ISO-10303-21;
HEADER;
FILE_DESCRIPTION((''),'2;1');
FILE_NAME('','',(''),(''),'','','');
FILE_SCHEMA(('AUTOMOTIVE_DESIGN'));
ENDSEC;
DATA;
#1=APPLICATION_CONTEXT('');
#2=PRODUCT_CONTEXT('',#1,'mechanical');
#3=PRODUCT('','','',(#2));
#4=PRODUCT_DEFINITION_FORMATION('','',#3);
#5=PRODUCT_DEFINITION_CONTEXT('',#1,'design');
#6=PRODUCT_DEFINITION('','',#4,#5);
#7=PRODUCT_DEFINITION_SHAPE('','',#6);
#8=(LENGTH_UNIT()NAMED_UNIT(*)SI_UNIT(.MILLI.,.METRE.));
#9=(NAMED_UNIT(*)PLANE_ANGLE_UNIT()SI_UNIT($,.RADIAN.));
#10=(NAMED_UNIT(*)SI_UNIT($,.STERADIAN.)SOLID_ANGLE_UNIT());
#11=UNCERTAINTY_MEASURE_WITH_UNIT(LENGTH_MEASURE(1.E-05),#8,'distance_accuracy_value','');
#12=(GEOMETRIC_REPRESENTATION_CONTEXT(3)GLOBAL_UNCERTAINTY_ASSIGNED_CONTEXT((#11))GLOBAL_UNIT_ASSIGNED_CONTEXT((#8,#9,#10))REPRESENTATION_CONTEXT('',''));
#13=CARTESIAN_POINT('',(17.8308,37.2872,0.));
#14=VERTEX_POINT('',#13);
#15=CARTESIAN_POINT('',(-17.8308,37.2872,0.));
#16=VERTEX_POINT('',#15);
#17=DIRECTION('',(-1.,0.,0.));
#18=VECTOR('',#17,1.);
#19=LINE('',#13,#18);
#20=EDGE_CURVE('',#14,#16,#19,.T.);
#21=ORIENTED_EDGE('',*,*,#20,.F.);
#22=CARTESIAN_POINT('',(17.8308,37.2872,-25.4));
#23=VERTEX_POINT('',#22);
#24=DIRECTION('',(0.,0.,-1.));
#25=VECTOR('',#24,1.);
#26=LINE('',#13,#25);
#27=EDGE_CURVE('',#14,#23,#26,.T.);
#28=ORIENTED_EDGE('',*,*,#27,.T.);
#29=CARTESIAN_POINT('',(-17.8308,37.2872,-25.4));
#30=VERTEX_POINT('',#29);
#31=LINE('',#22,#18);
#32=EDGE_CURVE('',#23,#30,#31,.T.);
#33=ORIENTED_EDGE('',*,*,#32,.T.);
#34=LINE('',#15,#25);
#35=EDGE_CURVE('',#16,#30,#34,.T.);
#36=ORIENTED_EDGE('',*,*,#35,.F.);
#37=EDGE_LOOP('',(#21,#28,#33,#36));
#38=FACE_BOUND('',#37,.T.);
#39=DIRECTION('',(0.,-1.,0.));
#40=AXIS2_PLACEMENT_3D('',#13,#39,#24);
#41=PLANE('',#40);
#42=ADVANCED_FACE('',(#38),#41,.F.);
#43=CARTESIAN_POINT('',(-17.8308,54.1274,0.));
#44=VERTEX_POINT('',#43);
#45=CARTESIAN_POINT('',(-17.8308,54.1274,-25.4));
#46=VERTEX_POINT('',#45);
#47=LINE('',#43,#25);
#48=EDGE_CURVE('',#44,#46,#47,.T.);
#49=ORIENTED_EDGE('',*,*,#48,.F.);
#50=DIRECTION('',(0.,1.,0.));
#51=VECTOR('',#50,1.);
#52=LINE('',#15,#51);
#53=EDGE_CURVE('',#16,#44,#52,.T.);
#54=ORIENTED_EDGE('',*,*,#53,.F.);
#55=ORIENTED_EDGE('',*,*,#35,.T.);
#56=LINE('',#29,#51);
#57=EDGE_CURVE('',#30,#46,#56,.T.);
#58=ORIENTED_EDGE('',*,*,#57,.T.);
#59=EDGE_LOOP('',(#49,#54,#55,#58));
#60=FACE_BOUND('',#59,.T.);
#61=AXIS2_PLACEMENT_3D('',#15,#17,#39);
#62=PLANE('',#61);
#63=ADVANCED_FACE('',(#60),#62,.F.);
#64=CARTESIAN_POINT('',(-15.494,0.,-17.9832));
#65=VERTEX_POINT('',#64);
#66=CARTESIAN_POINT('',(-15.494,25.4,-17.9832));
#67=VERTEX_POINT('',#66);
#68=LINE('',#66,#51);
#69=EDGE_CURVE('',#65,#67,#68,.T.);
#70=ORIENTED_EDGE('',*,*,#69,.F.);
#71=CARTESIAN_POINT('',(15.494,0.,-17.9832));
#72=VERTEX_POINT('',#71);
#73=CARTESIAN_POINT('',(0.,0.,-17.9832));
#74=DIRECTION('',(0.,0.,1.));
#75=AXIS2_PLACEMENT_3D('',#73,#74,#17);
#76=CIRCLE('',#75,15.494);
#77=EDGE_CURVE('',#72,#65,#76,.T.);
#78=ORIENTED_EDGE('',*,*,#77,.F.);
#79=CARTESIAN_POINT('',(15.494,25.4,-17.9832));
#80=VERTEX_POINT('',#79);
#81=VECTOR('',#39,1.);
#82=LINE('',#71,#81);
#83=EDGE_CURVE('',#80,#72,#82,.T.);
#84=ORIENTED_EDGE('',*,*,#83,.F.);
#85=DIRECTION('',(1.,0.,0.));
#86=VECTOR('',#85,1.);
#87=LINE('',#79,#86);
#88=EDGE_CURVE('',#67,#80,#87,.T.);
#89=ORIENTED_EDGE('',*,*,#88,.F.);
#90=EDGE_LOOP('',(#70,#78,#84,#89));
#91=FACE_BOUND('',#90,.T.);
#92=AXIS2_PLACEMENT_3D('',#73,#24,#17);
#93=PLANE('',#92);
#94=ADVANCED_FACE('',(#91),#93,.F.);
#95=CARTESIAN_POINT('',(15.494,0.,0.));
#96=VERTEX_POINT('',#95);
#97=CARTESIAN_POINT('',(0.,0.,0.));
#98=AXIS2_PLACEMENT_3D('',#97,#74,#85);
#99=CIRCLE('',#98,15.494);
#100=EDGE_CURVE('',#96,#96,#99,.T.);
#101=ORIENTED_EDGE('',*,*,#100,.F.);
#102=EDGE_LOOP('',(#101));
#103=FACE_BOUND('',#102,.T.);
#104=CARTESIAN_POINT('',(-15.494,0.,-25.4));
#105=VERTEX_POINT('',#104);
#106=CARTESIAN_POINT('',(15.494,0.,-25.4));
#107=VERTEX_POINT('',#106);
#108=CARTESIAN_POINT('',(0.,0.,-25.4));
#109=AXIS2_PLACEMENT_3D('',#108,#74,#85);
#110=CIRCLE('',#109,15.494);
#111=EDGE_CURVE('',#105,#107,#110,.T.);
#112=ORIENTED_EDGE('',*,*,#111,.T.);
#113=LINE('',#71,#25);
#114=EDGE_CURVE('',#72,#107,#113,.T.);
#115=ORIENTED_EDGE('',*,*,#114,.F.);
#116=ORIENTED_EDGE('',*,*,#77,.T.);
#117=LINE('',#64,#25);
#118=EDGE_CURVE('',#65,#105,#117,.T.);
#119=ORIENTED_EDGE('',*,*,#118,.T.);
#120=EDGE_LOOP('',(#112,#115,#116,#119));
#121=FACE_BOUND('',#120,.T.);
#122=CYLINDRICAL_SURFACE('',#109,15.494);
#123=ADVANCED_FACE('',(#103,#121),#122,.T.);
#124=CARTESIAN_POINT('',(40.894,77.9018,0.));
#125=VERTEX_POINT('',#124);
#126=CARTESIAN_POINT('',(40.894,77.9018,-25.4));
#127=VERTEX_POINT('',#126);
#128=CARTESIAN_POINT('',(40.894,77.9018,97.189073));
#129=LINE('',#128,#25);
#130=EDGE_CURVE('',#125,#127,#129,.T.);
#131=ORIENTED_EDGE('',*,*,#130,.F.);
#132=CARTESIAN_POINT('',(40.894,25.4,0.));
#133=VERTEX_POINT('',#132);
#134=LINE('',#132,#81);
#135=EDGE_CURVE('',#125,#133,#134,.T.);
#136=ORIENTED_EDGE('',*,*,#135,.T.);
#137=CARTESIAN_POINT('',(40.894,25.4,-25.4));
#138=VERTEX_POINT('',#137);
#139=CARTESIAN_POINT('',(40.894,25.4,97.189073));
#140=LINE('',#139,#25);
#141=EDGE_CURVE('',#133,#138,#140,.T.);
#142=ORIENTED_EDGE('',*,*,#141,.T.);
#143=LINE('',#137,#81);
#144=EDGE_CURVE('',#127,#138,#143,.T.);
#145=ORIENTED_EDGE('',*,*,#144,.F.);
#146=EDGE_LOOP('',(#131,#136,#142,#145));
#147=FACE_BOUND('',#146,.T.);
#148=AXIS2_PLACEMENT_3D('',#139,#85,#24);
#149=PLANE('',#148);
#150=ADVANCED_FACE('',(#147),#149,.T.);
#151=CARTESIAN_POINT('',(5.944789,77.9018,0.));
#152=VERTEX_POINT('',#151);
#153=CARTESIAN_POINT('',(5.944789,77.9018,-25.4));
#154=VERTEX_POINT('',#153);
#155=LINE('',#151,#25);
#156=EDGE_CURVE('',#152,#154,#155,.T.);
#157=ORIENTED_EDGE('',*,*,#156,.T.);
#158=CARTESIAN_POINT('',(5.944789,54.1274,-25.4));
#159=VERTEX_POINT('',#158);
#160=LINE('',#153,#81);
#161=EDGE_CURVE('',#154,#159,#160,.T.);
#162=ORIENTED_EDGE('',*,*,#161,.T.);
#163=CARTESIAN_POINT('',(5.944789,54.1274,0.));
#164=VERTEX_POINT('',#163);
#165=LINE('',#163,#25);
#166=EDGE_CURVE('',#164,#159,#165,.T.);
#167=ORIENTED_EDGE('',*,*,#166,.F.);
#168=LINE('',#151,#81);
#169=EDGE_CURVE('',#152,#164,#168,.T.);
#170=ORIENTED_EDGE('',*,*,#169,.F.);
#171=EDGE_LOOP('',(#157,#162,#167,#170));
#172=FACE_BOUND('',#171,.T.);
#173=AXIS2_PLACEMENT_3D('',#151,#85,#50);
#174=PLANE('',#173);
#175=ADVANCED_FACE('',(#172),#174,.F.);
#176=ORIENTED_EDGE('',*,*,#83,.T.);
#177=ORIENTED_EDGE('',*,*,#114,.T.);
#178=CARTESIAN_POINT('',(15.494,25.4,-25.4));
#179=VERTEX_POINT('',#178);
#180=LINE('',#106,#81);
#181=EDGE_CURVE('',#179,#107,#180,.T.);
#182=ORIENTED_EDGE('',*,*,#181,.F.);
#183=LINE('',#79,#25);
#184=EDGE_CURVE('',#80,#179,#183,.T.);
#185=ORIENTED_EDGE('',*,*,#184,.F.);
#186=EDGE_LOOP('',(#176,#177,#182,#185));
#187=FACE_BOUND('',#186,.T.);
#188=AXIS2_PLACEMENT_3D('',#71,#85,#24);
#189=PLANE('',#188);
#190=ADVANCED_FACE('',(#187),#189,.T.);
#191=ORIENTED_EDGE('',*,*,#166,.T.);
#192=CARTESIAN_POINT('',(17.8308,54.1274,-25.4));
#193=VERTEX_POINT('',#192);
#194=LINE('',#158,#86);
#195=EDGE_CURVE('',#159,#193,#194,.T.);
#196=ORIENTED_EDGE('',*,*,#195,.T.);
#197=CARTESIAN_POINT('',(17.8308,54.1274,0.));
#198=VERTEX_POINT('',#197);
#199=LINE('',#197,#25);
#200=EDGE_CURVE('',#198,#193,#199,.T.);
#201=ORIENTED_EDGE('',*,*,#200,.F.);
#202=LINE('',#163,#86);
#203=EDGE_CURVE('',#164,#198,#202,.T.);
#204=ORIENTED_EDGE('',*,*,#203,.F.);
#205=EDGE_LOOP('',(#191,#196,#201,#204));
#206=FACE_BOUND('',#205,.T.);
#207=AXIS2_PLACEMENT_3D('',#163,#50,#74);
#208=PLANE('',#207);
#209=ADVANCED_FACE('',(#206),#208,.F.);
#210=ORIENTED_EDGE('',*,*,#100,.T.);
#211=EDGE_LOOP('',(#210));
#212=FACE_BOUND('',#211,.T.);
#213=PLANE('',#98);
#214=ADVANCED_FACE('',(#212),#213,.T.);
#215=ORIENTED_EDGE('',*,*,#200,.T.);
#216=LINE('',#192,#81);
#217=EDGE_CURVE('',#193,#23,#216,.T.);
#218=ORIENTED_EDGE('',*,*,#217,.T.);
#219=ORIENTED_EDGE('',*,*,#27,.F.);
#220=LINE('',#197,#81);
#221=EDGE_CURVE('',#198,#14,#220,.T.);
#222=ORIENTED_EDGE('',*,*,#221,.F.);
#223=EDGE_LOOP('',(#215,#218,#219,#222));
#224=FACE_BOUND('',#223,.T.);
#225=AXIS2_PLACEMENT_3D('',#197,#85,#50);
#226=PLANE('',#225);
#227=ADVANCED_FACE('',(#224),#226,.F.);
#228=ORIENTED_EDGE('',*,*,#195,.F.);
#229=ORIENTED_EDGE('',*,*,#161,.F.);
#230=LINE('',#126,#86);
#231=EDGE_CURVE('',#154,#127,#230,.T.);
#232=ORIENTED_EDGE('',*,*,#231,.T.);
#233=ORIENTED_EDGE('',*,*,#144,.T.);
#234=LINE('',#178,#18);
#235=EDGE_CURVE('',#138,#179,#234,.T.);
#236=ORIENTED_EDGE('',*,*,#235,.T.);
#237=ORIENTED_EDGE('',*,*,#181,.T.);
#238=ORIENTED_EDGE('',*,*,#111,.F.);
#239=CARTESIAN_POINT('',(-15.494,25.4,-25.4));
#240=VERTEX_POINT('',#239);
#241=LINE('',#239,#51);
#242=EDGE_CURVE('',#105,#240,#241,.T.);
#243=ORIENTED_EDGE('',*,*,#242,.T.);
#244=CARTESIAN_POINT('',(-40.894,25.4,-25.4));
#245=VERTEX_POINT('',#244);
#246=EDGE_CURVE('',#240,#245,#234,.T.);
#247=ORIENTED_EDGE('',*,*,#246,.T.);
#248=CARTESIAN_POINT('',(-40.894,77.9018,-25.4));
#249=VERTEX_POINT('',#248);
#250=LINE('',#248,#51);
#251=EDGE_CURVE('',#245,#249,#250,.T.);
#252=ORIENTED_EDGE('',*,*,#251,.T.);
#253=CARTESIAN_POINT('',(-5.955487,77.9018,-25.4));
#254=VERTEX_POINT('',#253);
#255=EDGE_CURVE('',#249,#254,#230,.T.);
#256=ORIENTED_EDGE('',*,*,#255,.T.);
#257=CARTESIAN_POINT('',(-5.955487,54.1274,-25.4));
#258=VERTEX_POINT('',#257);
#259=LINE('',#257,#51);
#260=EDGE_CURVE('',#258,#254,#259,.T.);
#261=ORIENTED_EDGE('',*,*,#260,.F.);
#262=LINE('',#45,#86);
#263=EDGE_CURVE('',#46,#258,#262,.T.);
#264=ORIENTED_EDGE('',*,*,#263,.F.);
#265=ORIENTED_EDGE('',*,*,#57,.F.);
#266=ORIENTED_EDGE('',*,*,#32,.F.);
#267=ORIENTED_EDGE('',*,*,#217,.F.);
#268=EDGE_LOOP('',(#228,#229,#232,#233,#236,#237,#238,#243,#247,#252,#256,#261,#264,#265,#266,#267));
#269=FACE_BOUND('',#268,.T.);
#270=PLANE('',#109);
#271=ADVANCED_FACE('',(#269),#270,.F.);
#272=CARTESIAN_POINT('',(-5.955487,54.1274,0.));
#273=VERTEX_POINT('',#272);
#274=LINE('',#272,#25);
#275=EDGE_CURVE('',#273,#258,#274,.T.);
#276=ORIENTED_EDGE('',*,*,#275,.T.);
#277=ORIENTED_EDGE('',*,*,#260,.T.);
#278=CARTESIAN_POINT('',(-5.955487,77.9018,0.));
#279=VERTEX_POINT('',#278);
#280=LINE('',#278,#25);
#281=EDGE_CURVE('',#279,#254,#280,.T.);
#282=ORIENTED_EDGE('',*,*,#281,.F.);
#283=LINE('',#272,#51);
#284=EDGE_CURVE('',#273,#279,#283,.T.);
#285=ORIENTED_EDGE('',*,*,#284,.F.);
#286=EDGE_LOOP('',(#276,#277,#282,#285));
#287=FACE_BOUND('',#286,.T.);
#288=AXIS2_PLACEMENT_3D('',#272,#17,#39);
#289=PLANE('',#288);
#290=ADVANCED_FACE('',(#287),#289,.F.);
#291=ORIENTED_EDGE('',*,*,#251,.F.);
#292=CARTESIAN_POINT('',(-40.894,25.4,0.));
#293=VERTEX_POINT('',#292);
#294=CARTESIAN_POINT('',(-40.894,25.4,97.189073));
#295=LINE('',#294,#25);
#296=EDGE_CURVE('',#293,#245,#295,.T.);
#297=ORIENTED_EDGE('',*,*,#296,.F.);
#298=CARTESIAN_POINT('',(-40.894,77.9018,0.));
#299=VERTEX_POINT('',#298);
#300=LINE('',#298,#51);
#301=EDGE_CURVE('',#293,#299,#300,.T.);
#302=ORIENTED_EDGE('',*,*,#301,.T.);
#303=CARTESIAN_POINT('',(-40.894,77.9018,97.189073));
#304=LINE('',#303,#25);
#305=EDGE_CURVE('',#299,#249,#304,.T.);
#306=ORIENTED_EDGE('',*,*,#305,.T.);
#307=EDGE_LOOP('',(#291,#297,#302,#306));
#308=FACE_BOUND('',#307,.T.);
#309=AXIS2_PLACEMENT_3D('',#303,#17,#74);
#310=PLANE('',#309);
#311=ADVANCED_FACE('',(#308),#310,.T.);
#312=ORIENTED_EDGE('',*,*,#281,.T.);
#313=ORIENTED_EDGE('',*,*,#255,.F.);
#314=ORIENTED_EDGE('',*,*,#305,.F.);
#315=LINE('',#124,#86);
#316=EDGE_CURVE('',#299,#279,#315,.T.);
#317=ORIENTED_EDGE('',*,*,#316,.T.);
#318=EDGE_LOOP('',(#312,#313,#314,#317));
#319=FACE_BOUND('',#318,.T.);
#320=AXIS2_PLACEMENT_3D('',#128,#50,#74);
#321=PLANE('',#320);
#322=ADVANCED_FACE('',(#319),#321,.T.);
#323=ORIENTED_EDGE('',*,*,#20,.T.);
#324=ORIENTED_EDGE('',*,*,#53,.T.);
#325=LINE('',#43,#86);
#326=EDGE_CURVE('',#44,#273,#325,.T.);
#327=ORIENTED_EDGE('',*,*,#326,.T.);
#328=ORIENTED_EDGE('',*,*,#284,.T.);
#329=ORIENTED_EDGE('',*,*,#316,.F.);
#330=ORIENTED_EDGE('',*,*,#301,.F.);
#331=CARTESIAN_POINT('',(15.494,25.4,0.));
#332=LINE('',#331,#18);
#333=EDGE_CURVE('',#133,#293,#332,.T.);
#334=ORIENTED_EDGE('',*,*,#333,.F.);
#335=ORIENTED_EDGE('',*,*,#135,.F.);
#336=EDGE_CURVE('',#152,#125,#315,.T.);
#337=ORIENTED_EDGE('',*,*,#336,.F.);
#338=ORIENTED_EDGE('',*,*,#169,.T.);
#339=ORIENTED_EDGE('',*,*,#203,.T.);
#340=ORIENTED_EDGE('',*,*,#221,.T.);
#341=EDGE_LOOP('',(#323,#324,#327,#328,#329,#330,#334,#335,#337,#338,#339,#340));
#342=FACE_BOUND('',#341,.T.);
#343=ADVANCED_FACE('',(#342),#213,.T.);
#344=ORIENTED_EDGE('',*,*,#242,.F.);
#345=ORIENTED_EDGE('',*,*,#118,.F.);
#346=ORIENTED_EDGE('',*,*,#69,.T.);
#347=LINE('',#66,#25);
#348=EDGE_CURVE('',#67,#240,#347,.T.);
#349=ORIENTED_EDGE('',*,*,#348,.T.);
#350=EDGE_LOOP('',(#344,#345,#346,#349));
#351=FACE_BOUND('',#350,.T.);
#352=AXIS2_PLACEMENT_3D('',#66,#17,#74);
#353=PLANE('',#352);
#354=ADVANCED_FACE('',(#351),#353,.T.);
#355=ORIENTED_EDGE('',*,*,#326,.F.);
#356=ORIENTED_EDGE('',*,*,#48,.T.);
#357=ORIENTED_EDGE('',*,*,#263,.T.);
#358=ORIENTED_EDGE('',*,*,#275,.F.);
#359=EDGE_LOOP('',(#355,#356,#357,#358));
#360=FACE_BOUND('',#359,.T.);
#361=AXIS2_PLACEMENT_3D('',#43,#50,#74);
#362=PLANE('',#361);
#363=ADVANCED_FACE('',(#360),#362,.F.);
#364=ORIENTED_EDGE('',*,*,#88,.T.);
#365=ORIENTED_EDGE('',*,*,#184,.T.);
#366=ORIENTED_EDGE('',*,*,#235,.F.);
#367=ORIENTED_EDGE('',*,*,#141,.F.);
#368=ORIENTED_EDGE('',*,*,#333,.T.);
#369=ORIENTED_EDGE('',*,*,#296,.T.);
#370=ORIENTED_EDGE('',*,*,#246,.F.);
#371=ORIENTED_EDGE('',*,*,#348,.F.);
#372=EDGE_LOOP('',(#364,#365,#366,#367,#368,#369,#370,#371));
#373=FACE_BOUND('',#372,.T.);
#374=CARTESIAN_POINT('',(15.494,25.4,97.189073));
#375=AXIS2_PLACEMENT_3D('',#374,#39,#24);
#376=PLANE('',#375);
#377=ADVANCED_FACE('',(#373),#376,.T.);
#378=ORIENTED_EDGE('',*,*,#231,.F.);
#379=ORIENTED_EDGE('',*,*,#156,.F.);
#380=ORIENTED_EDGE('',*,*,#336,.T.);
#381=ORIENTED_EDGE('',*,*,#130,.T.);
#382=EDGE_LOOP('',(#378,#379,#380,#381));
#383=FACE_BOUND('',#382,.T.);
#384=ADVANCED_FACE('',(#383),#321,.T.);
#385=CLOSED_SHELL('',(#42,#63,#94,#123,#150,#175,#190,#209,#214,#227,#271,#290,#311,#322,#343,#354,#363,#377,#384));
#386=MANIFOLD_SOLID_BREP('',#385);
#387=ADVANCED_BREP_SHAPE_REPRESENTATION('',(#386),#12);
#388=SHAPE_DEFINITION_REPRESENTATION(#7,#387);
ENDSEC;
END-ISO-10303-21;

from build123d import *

# Parameters (mm, degrees)
SKETCH1_R           = 15.494
BOSS_EXTRUDE1_DEPTH = 25.4
BOSS_EXTRUDE2_START = -7.4168
BOSS_EXTRUDE2_DEPTH = 7.4168
BOSS_EXTRUDE4_DEPTH = 25.4
CUT_EXTRUDE1_DEPTH  = 92.576032231


with BuildPart() as part:
    # Sketch1 → Boss-Extrude1 (new body)
    with BuildSketch(Plane.XY):
        Circle(SKETCH1_R)
    extrude(amount=-BOSS_EXTRUDE1_DEPTH)

    # Sketch2 → Boss-Extrude2 (add)
    with BuildSketch(Plane(origin=(0, 0, -25.4), x_dir=(-1, 0, 0), z_dir=(0, 0, -1)).offset(BOSS_EXTRUDE2_START)):
        with BuildLine():
            Line((-15.494, 0), (-15.494, 25.4))
            Line((-15.494, 25.4), (15.494, 25.4))
            Line((15.494, 25.4), (15.494, 0))
            ThreePointArc((15.494, 0), (0, 15.494), (-15.494, 0))
        make_face()
    extrude(amount=BOSS_EXTRUDE2_DEPTH)

    # Sketch3 → Boss-Extrude4 (add)
    with BuildSketch(Plane(origin=(0, 0, -25.4), x_dir=(-1, 0, 0), z_dir=(0, 0, -1))):
        Polygon((-15.494, 25.4), (-40.894, 25.4), (-40.894, 77.9018), (40.894, 77.9018), (40.894, 25.4), (15.494, 25.4), align=None)
    extrude(amount=-BOSS_EXTRUDE4_DEPTH)

    # Sketch4 → Cut-Extrude1 (cut, through all)
    with BuildSketch(Plane(origin=(0, 0, -25.4), x_dir=(-1, 0, 0), z_dir=(0, 0, -1))):
        Polygon((-5.94478872, 77.9018), (-5.94478872, 54.1274), (-17.8308, 54.1274), (-17.8308, 37.2872), (17.8308, 37.2872), (17.8308, 54.1274), (5.9554872, 54.1274), (5.9554872, 77.9018), align=None)
    extrude(amount=-CUT_EXTRUDE1_DEPTH, mode=Mode.SUBTRACT)


solid = part.part
